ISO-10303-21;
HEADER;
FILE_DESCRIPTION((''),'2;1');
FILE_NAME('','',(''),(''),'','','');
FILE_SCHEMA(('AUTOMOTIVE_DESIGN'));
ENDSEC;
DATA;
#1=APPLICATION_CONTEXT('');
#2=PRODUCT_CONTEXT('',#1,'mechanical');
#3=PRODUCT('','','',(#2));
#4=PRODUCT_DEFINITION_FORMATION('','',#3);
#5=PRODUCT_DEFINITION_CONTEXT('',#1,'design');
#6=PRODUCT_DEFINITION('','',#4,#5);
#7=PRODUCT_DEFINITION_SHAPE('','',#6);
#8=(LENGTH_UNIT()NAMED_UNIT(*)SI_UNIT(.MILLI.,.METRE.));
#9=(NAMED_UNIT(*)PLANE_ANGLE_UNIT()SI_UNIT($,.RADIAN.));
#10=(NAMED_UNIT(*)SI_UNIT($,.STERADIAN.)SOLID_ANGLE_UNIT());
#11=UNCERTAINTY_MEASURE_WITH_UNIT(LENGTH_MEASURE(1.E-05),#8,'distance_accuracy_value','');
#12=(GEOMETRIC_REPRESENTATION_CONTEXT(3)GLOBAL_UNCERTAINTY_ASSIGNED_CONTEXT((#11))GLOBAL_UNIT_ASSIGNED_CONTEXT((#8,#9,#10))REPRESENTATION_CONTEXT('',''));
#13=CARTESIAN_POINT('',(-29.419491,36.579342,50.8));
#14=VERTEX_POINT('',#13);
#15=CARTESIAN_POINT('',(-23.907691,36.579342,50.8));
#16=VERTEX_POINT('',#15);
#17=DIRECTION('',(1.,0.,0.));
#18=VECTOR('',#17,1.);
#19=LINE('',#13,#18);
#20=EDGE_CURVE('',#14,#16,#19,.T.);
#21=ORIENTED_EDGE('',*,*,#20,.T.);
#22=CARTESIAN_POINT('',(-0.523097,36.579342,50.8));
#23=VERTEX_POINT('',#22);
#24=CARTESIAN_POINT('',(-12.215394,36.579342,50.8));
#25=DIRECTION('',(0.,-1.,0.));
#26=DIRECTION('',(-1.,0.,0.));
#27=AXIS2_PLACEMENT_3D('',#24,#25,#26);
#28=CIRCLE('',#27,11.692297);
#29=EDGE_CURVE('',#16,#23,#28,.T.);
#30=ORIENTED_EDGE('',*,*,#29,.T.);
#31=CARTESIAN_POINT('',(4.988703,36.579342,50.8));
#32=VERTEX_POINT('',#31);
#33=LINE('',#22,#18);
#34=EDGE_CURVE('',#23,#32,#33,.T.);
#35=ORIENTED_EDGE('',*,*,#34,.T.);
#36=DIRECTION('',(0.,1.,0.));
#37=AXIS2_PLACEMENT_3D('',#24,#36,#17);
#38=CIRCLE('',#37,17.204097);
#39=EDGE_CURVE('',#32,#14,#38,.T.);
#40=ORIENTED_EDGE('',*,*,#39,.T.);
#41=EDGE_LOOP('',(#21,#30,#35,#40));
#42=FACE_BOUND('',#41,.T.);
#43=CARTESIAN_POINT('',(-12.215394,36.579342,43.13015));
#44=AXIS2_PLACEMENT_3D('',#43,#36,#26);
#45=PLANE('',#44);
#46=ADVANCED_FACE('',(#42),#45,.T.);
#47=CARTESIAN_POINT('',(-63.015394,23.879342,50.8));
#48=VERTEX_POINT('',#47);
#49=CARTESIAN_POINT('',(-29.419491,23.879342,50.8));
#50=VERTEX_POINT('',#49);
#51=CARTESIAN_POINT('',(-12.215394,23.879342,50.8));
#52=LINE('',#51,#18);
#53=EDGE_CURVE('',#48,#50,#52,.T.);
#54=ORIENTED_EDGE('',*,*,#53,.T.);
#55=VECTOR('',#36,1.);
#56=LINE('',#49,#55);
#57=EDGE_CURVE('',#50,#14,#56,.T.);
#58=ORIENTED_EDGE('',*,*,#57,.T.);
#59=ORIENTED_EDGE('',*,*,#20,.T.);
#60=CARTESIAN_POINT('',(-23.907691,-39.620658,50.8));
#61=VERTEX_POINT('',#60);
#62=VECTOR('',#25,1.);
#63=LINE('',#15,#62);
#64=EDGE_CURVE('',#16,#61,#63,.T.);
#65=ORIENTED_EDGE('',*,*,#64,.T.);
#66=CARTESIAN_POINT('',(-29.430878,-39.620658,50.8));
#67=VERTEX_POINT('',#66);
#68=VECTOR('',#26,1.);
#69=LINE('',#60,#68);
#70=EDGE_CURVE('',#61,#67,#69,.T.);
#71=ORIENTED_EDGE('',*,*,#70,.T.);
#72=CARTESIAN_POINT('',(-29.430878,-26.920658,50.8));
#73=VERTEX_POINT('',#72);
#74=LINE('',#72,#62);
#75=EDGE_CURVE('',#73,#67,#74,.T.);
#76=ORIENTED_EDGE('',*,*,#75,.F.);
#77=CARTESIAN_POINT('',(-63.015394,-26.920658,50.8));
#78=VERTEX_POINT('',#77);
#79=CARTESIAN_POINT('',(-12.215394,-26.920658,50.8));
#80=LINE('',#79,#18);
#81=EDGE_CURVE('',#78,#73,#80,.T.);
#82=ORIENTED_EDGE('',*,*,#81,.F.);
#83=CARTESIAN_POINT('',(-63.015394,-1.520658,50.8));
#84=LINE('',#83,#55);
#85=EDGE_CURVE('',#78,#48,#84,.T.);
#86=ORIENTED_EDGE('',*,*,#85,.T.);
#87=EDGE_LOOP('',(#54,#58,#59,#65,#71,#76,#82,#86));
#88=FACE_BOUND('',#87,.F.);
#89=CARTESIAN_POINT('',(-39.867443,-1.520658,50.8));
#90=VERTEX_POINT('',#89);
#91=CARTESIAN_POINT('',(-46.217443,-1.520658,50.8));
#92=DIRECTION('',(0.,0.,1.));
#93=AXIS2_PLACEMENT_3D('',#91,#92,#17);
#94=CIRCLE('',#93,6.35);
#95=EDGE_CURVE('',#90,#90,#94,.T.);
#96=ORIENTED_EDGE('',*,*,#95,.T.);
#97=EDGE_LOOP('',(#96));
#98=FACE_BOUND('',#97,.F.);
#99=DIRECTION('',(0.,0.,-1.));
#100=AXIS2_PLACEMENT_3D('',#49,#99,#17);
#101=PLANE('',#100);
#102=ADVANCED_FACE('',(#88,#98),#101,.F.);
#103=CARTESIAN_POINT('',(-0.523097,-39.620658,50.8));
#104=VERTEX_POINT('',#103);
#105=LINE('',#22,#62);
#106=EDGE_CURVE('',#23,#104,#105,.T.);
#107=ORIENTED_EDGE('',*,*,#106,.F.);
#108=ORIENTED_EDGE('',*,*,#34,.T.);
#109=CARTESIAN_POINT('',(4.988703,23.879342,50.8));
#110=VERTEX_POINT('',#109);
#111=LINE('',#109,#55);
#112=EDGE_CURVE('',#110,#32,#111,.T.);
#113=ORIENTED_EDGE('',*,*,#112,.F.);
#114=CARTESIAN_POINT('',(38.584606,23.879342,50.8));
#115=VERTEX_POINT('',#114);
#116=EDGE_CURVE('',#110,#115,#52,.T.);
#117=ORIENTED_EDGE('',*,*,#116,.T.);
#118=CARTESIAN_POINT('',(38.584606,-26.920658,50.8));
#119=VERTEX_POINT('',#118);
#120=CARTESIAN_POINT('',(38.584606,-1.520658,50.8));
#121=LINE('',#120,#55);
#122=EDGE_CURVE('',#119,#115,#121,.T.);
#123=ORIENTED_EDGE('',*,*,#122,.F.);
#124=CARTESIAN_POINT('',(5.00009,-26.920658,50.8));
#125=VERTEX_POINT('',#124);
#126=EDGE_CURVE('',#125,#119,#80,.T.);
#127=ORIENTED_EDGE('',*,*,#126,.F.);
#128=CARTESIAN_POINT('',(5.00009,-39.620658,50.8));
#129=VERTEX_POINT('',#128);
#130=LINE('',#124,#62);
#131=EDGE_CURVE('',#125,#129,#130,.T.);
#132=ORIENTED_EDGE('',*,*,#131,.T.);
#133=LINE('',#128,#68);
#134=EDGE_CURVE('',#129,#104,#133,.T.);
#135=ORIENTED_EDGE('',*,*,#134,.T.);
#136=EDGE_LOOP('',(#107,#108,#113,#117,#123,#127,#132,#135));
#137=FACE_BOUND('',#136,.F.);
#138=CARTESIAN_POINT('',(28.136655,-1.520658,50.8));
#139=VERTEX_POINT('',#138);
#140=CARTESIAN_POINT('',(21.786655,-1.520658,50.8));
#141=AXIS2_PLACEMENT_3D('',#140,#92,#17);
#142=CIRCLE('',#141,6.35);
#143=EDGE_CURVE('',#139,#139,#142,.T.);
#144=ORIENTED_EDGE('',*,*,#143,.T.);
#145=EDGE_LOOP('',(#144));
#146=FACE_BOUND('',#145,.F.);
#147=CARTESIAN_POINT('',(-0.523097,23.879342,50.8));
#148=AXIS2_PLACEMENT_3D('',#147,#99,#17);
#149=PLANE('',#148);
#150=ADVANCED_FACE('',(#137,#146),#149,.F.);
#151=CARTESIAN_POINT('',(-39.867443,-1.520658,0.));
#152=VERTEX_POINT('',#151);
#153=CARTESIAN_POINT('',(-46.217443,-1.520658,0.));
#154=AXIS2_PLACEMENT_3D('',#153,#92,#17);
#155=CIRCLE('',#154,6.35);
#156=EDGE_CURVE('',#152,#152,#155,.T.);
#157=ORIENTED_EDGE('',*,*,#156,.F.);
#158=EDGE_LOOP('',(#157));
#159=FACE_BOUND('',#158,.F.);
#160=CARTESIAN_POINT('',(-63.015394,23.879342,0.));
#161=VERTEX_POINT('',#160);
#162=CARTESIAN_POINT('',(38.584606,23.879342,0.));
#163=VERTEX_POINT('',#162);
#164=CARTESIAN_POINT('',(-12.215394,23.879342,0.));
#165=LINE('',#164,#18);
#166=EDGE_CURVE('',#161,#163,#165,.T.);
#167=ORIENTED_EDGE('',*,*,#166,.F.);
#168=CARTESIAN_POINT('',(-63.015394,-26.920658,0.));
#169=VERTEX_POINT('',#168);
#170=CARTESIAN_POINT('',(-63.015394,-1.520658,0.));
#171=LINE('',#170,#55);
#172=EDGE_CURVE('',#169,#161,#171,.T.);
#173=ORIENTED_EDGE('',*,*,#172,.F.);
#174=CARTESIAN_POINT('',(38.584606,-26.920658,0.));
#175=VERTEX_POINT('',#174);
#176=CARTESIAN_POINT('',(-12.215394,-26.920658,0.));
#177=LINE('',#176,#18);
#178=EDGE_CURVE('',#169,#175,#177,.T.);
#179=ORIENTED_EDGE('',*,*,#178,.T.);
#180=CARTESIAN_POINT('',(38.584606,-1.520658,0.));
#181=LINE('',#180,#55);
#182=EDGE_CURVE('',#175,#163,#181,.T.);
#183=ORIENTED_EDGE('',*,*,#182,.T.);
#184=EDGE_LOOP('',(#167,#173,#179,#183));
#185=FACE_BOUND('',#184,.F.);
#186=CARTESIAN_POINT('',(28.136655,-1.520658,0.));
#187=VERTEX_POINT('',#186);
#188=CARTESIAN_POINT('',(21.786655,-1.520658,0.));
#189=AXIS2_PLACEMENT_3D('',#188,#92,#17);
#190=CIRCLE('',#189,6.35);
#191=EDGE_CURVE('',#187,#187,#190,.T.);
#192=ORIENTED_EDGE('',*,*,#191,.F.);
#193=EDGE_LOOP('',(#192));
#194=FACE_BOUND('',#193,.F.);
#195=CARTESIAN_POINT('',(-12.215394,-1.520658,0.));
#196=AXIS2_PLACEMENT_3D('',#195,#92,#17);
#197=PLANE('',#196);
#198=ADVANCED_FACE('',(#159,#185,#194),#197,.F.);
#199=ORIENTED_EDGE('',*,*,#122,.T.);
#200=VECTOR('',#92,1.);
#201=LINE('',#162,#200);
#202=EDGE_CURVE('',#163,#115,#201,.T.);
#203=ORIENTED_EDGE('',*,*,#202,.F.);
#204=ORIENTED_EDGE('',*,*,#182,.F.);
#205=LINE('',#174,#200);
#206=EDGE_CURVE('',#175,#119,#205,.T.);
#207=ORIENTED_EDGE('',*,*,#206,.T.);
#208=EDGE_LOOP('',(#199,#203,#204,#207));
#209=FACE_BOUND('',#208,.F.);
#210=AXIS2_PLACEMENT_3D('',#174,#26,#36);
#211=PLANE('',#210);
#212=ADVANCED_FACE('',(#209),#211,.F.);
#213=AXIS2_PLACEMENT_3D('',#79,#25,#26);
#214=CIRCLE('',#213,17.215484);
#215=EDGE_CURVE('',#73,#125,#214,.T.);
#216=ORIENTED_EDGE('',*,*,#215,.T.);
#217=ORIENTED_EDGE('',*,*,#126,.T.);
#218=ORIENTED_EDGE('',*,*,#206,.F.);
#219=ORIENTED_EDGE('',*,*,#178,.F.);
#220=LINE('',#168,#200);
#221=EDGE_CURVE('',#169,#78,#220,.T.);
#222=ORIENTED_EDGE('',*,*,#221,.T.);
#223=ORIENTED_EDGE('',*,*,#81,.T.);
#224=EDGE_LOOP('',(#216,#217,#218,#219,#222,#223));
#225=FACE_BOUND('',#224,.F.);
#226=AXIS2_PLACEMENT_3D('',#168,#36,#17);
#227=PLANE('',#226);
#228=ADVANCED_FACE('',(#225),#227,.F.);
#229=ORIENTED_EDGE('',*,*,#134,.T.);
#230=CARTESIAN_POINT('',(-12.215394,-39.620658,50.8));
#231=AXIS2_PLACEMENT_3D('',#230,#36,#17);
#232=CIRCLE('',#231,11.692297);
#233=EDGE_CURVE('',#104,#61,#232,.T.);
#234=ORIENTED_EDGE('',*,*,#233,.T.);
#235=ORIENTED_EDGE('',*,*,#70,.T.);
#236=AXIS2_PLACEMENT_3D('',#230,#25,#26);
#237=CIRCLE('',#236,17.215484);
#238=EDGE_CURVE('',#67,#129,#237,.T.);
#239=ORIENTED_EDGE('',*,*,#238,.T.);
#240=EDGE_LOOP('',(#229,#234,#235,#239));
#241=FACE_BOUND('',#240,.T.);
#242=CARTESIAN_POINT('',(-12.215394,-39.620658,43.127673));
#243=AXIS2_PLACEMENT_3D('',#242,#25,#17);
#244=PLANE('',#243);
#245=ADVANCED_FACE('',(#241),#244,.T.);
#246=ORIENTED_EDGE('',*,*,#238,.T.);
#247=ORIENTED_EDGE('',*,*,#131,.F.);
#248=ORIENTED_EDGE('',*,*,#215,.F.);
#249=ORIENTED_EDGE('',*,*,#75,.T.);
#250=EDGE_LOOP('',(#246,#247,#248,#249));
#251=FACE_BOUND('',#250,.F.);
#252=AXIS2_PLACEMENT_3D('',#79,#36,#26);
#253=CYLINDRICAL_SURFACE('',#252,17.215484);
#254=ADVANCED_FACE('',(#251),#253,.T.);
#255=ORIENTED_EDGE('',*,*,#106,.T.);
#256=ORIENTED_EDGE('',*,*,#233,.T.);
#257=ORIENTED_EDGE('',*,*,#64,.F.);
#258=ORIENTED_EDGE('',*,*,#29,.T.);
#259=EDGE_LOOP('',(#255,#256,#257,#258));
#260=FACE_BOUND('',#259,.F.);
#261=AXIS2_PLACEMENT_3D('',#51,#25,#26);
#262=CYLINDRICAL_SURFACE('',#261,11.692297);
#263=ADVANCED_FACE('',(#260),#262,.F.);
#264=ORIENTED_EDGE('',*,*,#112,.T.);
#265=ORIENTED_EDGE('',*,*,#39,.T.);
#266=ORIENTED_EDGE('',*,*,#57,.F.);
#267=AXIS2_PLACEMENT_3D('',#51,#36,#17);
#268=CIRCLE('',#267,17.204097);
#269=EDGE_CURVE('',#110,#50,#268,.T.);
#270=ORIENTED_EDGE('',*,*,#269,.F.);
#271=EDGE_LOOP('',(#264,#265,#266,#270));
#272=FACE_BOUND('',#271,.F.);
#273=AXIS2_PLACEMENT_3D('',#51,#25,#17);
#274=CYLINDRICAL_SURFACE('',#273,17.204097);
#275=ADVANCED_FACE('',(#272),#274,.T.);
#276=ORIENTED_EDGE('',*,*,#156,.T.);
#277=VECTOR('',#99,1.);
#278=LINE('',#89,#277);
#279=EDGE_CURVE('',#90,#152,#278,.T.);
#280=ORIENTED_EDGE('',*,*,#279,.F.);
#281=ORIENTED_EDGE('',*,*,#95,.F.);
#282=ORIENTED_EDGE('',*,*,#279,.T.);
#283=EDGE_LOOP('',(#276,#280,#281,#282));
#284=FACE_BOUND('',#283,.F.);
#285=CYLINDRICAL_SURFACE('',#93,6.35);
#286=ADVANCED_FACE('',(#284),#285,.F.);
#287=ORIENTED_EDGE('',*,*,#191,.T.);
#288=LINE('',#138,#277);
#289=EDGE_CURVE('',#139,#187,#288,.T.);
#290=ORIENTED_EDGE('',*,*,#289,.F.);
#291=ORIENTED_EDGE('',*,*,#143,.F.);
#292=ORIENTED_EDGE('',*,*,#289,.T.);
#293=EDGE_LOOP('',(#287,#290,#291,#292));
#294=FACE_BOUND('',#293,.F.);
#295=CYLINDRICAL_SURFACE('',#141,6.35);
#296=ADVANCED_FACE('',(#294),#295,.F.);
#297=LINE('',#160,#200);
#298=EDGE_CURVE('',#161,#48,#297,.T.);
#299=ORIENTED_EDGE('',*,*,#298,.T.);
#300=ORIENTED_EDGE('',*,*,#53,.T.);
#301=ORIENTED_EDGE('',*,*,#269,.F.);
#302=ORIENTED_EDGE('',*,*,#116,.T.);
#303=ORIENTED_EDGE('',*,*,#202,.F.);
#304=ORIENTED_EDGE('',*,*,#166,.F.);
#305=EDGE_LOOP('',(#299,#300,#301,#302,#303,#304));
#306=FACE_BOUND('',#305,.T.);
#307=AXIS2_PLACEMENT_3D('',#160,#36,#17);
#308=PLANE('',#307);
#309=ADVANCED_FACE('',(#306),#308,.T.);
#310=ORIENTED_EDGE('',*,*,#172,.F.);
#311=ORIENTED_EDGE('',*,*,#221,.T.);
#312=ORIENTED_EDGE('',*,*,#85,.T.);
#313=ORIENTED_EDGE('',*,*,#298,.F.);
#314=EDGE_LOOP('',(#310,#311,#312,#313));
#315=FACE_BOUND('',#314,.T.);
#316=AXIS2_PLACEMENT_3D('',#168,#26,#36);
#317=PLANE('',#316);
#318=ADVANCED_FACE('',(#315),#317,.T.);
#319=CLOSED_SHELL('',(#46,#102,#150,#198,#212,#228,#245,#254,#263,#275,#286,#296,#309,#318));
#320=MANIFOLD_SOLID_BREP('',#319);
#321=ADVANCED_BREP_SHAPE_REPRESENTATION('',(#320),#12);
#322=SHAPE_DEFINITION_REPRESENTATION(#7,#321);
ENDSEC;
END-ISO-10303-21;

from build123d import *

# Parameters (mm, degrees)
F0_W      = 101.6
F0_H      = 50.8
F1_DEPTH  = 50.8
F3_DEPTH  = 59.69
F4_DEPTH  = 12.7
F6_DEPTH  = 12.7
F7_R      = 6.35
F8_DEPTH  = 67.818
F9_R      = 6.35
F10_DEPTH = 76.2


with BuildPart() as f1:
    # F0 (on Top) → F1 (new body)
    with BuildSketch(Plane.XY):
        with Locations((-12.215394, -1.520658)):
            Rectangle(F0_W, F0_H)
    extrude(amount=F1_DEPTH)

    # F2 (on face) → F3 (cut)
    with BuildSketch(Plane.XZ.offset(26.920658)):
        with BuildLine():
            Line((-0.523097, 50.8), (-23.907691, 50.8))
            ThreePointArc((-23.907691, 50.8), (-12.215394, 39.107703), (-0.523097, 50.8))
        make_face()
    extrude(amount=-F3_DEPTH, mode=Mode.SUBTRACT)

    # F2 (on face) → F4 (join)
    with BuildSketch(Plane.XZ.offset(26.920658)):
        with BuildLine():
            Line((-23.907691, 50.8), (-29.430878, 50.8))
            ThreePointArc((-29.430878, 50.8), (-12.215394, 33.584516), (5.00009, 50.8))
            Line((5.00009, 50.8), (-0.523097, 50.8))
            ThreePointArc((-0.523097, 50.8), (-12.215394, 39.107703), (-23.907691, 50.8))
        make_face()
    extrude(amount=F4_DEPTH)

    # F5 (on face) → F6 (join)
    with BuildSketch(Plane(origin=(0, 23.879342, 0), x_dir=(-1, 0, 0), z_dir=(0, 1, 0))):
        with BuildLine():
            Line((0.523097, 50.8), (-4.988703, 50.8))
            ThreePointArc((-4.988703, 50.8), (12.215394, 33.595903), (29.419491, 50.8))
            Line((29.419491, 50.8), (23.907691, 50.8))
            ThreePointArc((23.907691, 50.8), (12.215394, 39.107703), (0.523097, 50.8))
        make_face()
    extrude(amount=F6_DEPTH)

    # F7 (on face) → F8 (cut)
    with BuildSketch(Plane.XY.offset(50.8)):
        with Locations((-46.217443, -1.520658)):
            Circle(F7_R)
    extrude(amount=-F8_DEPTH, mode=Mode.SUBTRACT)

    # F9 (on face) → F10 (cut)
    with BuildSketch(Plane.XY.offset(50.8)):
        with Locations((21.786655, -1.520658)):
            Circle(F9_R)
    extrude(amount=-F10_DEPTH, mode=Mode.SUBTRACT)


solid = f1.part
